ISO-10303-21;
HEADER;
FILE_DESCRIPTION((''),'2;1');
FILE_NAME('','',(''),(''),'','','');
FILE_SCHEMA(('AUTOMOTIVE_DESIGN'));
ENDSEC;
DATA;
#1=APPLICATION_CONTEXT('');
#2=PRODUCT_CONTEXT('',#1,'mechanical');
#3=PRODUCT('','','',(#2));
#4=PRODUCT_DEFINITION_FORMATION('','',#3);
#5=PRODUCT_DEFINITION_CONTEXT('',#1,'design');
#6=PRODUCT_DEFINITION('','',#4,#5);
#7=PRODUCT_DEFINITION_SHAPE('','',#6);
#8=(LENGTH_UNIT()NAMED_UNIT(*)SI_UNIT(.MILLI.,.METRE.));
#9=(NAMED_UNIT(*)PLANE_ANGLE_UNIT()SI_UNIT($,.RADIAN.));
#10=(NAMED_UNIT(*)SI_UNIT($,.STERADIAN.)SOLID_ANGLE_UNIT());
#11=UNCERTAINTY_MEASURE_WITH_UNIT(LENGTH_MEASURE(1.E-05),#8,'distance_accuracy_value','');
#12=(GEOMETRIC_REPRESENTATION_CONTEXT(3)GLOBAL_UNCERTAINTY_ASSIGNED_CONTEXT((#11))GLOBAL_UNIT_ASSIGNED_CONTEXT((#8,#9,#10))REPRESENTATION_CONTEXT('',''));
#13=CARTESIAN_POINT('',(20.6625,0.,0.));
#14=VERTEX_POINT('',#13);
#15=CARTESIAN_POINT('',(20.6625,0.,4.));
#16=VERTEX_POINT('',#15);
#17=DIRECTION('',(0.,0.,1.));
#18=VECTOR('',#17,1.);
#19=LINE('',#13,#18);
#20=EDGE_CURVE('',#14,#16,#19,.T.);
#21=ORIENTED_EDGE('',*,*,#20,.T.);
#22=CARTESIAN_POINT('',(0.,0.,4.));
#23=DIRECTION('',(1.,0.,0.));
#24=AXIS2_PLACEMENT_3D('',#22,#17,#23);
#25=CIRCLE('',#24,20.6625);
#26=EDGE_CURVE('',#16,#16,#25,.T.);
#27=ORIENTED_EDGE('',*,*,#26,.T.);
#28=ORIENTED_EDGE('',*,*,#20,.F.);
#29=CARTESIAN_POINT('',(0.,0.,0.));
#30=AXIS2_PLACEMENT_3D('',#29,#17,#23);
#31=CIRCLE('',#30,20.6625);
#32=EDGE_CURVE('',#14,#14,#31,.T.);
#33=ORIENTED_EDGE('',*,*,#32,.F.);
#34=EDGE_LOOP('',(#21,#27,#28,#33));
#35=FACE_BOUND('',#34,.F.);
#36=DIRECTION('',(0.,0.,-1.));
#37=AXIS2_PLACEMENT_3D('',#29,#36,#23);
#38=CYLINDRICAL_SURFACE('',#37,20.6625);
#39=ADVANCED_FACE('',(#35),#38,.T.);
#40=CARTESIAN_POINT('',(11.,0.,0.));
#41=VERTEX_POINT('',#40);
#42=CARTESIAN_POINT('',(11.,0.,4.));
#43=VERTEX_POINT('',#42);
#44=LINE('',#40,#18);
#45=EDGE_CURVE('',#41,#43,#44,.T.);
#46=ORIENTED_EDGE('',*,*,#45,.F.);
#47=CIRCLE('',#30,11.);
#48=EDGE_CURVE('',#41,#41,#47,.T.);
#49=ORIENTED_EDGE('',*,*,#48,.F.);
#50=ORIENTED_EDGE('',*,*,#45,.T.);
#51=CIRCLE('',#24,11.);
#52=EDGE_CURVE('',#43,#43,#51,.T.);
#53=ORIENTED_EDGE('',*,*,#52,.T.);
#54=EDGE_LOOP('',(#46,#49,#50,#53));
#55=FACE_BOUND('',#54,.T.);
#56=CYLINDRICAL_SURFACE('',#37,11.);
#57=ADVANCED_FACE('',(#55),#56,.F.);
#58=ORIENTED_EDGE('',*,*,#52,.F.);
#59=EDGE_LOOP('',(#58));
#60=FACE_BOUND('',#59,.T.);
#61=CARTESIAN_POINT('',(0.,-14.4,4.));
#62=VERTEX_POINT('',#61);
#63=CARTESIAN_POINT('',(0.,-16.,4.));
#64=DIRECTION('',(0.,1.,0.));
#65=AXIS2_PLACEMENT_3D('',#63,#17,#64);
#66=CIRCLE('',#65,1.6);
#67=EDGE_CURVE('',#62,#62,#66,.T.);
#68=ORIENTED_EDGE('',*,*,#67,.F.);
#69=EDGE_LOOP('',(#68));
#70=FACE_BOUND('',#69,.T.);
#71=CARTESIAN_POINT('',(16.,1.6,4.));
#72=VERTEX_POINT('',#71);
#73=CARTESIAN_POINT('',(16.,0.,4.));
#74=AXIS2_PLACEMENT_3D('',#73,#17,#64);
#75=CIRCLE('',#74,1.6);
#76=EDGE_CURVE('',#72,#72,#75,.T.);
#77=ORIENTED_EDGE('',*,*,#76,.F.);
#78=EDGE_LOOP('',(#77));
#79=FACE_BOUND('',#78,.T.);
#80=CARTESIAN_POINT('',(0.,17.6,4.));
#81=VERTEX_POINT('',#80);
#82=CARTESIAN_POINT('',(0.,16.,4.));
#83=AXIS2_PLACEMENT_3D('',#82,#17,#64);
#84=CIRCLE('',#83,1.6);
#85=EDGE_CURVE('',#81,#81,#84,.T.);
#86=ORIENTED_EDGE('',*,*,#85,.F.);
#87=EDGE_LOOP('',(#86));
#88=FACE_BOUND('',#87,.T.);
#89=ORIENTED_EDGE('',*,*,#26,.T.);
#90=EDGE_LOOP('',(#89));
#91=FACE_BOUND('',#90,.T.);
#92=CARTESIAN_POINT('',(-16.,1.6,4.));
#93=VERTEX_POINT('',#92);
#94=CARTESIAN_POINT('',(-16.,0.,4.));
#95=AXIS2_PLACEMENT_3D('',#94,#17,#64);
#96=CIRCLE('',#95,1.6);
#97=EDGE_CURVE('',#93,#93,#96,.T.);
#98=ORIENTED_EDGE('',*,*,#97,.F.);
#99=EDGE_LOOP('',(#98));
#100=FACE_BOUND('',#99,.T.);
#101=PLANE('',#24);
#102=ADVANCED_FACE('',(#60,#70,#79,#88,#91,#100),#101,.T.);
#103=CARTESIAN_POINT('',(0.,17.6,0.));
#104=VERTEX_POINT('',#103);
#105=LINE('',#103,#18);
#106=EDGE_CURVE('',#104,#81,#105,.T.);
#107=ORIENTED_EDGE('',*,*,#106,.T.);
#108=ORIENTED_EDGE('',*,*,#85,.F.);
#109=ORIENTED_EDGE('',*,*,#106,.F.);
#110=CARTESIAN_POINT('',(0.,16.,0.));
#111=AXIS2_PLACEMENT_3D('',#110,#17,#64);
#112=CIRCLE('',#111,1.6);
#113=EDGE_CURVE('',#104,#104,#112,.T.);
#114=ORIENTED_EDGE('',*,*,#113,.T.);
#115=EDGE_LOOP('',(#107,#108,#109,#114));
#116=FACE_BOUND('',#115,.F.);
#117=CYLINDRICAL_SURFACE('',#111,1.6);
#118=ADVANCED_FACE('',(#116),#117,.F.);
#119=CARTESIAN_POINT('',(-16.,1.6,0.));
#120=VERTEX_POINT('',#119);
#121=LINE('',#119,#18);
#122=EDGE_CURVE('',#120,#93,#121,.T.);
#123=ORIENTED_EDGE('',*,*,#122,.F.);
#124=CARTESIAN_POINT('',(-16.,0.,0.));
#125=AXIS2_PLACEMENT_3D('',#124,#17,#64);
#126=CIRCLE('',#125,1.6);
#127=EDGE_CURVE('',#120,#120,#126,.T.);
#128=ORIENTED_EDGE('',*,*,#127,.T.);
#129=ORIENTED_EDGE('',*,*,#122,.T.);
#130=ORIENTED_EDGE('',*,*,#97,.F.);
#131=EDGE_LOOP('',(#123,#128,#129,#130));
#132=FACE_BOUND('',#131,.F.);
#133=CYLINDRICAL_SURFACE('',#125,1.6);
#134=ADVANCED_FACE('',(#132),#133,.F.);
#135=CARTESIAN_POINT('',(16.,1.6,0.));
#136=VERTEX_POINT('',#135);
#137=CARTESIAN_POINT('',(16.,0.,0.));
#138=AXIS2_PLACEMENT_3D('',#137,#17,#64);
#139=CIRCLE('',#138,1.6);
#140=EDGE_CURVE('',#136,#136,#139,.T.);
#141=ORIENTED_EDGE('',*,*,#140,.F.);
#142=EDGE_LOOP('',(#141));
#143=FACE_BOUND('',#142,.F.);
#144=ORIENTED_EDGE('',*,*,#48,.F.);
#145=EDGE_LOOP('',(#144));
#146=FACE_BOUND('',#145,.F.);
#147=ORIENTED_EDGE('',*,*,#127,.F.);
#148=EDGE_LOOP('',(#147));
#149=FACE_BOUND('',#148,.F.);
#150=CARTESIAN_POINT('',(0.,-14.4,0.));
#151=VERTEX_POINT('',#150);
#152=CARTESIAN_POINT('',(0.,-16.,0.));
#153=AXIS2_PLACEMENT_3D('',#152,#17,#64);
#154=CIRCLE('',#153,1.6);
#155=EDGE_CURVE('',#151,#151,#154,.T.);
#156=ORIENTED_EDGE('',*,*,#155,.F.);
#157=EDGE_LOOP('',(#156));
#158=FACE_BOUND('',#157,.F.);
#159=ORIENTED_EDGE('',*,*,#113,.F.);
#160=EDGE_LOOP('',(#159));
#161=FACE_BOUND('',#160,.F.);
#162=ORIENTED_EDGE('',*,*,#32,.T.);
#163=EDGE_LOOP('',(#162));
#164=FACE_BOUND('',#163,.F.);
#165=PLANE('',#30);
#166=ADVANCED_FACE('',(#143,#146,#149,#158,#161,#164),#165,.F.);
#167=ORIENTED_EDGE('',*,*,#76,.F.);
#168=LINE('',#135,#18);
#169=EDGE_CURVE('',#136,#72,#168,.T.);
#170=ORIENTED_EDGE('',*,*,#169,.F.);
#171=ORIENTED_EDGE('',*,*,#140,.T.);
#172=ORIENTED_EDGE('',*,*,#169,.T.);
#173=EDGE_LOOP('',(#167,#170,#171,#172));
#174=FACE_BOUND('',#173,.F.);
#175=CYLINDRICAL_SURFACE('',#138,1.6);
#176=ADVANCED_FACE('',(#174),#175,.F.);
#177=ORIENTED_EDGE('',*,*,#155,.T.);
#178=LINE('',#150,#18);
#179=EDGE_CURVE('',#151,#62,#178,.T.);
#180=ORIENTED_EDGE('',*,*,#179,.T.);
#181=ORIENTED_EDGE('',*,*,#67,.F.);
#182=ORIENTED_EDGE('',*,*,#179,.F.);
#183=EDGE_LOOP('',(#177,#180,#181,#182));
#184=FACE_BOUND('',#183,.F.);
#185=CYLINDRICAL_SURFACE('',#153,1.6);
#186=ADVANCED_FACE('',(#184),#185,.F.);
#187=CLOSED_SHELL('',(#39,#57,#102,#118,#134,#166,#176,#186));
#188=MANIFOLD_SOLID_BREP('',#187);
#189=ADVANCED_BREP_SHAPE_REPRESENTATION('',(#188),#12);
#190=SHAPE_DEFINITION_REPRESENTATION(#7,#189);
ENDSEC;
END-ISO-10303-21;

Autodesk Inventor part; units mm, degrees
ref_plane "YZ Plane" through (0, 0, 0) normal (1, 0, 0) x (0, 1, 0)
ref_plane "XZ Plane" through (0, 0, 0) normal (0, 1, 0) x (-1, 0, 0)
ref_plane "XY Plane" through (0, 0, 0) normal (0, 0, 1) x (1, 0, 0)
sketch "Sketch1" plane through (0, 0, 0) normal (0, 0, 1) x (1, 0, 0)
  circle A0 centre (0, 0) radius 11
  circle A1 centre (0, 0) radius 20.6625
  point P0 (16, 0)
  point P1 (0, 16)
  point P2 (-16, 0)
  point P3 (0, -16)
  dimension "d0" = 22
  dimension "d2" = 16
  dimension "d5" = 360
  dimension "d7" = 41.325
extrude "Plate1" add sketch "Sketch1" along normal blind 4
hole "Hole1" at (16, 0, 0) at (0, 16, 0) at (-16, 0, 0) at (0, -16, 0) direction (0, 0, 1) diameter 3.2 end through all clearance for "Countersunk Flat Head Screw ISO 2009/7046" size "M3" standard "ISO"
equation "\"d14\" = Thickness"
equation "\"d8\" = Thickness"
equation "\"BendRadius\" = Thickness"
equation "\"BendReliefWidth\" = Thickness"
equation "\"BendReliefDepth\" = 0.5 * Thickness"
equation "\"CornerReliefSize\" = 4 * Thickness"
equation "\"MinimumRemnant\" = 2 * Thickness"
equation "\"TransitionRadius\" = BendRadius"
equation "\"JacobiRadiusSize\" = BendRadius"
equation "\"GapSize\" = Thickness"
equation "\"Thickness\" = 4"
properties part number "spacer 4 mm" material "Aluminum 6061"
